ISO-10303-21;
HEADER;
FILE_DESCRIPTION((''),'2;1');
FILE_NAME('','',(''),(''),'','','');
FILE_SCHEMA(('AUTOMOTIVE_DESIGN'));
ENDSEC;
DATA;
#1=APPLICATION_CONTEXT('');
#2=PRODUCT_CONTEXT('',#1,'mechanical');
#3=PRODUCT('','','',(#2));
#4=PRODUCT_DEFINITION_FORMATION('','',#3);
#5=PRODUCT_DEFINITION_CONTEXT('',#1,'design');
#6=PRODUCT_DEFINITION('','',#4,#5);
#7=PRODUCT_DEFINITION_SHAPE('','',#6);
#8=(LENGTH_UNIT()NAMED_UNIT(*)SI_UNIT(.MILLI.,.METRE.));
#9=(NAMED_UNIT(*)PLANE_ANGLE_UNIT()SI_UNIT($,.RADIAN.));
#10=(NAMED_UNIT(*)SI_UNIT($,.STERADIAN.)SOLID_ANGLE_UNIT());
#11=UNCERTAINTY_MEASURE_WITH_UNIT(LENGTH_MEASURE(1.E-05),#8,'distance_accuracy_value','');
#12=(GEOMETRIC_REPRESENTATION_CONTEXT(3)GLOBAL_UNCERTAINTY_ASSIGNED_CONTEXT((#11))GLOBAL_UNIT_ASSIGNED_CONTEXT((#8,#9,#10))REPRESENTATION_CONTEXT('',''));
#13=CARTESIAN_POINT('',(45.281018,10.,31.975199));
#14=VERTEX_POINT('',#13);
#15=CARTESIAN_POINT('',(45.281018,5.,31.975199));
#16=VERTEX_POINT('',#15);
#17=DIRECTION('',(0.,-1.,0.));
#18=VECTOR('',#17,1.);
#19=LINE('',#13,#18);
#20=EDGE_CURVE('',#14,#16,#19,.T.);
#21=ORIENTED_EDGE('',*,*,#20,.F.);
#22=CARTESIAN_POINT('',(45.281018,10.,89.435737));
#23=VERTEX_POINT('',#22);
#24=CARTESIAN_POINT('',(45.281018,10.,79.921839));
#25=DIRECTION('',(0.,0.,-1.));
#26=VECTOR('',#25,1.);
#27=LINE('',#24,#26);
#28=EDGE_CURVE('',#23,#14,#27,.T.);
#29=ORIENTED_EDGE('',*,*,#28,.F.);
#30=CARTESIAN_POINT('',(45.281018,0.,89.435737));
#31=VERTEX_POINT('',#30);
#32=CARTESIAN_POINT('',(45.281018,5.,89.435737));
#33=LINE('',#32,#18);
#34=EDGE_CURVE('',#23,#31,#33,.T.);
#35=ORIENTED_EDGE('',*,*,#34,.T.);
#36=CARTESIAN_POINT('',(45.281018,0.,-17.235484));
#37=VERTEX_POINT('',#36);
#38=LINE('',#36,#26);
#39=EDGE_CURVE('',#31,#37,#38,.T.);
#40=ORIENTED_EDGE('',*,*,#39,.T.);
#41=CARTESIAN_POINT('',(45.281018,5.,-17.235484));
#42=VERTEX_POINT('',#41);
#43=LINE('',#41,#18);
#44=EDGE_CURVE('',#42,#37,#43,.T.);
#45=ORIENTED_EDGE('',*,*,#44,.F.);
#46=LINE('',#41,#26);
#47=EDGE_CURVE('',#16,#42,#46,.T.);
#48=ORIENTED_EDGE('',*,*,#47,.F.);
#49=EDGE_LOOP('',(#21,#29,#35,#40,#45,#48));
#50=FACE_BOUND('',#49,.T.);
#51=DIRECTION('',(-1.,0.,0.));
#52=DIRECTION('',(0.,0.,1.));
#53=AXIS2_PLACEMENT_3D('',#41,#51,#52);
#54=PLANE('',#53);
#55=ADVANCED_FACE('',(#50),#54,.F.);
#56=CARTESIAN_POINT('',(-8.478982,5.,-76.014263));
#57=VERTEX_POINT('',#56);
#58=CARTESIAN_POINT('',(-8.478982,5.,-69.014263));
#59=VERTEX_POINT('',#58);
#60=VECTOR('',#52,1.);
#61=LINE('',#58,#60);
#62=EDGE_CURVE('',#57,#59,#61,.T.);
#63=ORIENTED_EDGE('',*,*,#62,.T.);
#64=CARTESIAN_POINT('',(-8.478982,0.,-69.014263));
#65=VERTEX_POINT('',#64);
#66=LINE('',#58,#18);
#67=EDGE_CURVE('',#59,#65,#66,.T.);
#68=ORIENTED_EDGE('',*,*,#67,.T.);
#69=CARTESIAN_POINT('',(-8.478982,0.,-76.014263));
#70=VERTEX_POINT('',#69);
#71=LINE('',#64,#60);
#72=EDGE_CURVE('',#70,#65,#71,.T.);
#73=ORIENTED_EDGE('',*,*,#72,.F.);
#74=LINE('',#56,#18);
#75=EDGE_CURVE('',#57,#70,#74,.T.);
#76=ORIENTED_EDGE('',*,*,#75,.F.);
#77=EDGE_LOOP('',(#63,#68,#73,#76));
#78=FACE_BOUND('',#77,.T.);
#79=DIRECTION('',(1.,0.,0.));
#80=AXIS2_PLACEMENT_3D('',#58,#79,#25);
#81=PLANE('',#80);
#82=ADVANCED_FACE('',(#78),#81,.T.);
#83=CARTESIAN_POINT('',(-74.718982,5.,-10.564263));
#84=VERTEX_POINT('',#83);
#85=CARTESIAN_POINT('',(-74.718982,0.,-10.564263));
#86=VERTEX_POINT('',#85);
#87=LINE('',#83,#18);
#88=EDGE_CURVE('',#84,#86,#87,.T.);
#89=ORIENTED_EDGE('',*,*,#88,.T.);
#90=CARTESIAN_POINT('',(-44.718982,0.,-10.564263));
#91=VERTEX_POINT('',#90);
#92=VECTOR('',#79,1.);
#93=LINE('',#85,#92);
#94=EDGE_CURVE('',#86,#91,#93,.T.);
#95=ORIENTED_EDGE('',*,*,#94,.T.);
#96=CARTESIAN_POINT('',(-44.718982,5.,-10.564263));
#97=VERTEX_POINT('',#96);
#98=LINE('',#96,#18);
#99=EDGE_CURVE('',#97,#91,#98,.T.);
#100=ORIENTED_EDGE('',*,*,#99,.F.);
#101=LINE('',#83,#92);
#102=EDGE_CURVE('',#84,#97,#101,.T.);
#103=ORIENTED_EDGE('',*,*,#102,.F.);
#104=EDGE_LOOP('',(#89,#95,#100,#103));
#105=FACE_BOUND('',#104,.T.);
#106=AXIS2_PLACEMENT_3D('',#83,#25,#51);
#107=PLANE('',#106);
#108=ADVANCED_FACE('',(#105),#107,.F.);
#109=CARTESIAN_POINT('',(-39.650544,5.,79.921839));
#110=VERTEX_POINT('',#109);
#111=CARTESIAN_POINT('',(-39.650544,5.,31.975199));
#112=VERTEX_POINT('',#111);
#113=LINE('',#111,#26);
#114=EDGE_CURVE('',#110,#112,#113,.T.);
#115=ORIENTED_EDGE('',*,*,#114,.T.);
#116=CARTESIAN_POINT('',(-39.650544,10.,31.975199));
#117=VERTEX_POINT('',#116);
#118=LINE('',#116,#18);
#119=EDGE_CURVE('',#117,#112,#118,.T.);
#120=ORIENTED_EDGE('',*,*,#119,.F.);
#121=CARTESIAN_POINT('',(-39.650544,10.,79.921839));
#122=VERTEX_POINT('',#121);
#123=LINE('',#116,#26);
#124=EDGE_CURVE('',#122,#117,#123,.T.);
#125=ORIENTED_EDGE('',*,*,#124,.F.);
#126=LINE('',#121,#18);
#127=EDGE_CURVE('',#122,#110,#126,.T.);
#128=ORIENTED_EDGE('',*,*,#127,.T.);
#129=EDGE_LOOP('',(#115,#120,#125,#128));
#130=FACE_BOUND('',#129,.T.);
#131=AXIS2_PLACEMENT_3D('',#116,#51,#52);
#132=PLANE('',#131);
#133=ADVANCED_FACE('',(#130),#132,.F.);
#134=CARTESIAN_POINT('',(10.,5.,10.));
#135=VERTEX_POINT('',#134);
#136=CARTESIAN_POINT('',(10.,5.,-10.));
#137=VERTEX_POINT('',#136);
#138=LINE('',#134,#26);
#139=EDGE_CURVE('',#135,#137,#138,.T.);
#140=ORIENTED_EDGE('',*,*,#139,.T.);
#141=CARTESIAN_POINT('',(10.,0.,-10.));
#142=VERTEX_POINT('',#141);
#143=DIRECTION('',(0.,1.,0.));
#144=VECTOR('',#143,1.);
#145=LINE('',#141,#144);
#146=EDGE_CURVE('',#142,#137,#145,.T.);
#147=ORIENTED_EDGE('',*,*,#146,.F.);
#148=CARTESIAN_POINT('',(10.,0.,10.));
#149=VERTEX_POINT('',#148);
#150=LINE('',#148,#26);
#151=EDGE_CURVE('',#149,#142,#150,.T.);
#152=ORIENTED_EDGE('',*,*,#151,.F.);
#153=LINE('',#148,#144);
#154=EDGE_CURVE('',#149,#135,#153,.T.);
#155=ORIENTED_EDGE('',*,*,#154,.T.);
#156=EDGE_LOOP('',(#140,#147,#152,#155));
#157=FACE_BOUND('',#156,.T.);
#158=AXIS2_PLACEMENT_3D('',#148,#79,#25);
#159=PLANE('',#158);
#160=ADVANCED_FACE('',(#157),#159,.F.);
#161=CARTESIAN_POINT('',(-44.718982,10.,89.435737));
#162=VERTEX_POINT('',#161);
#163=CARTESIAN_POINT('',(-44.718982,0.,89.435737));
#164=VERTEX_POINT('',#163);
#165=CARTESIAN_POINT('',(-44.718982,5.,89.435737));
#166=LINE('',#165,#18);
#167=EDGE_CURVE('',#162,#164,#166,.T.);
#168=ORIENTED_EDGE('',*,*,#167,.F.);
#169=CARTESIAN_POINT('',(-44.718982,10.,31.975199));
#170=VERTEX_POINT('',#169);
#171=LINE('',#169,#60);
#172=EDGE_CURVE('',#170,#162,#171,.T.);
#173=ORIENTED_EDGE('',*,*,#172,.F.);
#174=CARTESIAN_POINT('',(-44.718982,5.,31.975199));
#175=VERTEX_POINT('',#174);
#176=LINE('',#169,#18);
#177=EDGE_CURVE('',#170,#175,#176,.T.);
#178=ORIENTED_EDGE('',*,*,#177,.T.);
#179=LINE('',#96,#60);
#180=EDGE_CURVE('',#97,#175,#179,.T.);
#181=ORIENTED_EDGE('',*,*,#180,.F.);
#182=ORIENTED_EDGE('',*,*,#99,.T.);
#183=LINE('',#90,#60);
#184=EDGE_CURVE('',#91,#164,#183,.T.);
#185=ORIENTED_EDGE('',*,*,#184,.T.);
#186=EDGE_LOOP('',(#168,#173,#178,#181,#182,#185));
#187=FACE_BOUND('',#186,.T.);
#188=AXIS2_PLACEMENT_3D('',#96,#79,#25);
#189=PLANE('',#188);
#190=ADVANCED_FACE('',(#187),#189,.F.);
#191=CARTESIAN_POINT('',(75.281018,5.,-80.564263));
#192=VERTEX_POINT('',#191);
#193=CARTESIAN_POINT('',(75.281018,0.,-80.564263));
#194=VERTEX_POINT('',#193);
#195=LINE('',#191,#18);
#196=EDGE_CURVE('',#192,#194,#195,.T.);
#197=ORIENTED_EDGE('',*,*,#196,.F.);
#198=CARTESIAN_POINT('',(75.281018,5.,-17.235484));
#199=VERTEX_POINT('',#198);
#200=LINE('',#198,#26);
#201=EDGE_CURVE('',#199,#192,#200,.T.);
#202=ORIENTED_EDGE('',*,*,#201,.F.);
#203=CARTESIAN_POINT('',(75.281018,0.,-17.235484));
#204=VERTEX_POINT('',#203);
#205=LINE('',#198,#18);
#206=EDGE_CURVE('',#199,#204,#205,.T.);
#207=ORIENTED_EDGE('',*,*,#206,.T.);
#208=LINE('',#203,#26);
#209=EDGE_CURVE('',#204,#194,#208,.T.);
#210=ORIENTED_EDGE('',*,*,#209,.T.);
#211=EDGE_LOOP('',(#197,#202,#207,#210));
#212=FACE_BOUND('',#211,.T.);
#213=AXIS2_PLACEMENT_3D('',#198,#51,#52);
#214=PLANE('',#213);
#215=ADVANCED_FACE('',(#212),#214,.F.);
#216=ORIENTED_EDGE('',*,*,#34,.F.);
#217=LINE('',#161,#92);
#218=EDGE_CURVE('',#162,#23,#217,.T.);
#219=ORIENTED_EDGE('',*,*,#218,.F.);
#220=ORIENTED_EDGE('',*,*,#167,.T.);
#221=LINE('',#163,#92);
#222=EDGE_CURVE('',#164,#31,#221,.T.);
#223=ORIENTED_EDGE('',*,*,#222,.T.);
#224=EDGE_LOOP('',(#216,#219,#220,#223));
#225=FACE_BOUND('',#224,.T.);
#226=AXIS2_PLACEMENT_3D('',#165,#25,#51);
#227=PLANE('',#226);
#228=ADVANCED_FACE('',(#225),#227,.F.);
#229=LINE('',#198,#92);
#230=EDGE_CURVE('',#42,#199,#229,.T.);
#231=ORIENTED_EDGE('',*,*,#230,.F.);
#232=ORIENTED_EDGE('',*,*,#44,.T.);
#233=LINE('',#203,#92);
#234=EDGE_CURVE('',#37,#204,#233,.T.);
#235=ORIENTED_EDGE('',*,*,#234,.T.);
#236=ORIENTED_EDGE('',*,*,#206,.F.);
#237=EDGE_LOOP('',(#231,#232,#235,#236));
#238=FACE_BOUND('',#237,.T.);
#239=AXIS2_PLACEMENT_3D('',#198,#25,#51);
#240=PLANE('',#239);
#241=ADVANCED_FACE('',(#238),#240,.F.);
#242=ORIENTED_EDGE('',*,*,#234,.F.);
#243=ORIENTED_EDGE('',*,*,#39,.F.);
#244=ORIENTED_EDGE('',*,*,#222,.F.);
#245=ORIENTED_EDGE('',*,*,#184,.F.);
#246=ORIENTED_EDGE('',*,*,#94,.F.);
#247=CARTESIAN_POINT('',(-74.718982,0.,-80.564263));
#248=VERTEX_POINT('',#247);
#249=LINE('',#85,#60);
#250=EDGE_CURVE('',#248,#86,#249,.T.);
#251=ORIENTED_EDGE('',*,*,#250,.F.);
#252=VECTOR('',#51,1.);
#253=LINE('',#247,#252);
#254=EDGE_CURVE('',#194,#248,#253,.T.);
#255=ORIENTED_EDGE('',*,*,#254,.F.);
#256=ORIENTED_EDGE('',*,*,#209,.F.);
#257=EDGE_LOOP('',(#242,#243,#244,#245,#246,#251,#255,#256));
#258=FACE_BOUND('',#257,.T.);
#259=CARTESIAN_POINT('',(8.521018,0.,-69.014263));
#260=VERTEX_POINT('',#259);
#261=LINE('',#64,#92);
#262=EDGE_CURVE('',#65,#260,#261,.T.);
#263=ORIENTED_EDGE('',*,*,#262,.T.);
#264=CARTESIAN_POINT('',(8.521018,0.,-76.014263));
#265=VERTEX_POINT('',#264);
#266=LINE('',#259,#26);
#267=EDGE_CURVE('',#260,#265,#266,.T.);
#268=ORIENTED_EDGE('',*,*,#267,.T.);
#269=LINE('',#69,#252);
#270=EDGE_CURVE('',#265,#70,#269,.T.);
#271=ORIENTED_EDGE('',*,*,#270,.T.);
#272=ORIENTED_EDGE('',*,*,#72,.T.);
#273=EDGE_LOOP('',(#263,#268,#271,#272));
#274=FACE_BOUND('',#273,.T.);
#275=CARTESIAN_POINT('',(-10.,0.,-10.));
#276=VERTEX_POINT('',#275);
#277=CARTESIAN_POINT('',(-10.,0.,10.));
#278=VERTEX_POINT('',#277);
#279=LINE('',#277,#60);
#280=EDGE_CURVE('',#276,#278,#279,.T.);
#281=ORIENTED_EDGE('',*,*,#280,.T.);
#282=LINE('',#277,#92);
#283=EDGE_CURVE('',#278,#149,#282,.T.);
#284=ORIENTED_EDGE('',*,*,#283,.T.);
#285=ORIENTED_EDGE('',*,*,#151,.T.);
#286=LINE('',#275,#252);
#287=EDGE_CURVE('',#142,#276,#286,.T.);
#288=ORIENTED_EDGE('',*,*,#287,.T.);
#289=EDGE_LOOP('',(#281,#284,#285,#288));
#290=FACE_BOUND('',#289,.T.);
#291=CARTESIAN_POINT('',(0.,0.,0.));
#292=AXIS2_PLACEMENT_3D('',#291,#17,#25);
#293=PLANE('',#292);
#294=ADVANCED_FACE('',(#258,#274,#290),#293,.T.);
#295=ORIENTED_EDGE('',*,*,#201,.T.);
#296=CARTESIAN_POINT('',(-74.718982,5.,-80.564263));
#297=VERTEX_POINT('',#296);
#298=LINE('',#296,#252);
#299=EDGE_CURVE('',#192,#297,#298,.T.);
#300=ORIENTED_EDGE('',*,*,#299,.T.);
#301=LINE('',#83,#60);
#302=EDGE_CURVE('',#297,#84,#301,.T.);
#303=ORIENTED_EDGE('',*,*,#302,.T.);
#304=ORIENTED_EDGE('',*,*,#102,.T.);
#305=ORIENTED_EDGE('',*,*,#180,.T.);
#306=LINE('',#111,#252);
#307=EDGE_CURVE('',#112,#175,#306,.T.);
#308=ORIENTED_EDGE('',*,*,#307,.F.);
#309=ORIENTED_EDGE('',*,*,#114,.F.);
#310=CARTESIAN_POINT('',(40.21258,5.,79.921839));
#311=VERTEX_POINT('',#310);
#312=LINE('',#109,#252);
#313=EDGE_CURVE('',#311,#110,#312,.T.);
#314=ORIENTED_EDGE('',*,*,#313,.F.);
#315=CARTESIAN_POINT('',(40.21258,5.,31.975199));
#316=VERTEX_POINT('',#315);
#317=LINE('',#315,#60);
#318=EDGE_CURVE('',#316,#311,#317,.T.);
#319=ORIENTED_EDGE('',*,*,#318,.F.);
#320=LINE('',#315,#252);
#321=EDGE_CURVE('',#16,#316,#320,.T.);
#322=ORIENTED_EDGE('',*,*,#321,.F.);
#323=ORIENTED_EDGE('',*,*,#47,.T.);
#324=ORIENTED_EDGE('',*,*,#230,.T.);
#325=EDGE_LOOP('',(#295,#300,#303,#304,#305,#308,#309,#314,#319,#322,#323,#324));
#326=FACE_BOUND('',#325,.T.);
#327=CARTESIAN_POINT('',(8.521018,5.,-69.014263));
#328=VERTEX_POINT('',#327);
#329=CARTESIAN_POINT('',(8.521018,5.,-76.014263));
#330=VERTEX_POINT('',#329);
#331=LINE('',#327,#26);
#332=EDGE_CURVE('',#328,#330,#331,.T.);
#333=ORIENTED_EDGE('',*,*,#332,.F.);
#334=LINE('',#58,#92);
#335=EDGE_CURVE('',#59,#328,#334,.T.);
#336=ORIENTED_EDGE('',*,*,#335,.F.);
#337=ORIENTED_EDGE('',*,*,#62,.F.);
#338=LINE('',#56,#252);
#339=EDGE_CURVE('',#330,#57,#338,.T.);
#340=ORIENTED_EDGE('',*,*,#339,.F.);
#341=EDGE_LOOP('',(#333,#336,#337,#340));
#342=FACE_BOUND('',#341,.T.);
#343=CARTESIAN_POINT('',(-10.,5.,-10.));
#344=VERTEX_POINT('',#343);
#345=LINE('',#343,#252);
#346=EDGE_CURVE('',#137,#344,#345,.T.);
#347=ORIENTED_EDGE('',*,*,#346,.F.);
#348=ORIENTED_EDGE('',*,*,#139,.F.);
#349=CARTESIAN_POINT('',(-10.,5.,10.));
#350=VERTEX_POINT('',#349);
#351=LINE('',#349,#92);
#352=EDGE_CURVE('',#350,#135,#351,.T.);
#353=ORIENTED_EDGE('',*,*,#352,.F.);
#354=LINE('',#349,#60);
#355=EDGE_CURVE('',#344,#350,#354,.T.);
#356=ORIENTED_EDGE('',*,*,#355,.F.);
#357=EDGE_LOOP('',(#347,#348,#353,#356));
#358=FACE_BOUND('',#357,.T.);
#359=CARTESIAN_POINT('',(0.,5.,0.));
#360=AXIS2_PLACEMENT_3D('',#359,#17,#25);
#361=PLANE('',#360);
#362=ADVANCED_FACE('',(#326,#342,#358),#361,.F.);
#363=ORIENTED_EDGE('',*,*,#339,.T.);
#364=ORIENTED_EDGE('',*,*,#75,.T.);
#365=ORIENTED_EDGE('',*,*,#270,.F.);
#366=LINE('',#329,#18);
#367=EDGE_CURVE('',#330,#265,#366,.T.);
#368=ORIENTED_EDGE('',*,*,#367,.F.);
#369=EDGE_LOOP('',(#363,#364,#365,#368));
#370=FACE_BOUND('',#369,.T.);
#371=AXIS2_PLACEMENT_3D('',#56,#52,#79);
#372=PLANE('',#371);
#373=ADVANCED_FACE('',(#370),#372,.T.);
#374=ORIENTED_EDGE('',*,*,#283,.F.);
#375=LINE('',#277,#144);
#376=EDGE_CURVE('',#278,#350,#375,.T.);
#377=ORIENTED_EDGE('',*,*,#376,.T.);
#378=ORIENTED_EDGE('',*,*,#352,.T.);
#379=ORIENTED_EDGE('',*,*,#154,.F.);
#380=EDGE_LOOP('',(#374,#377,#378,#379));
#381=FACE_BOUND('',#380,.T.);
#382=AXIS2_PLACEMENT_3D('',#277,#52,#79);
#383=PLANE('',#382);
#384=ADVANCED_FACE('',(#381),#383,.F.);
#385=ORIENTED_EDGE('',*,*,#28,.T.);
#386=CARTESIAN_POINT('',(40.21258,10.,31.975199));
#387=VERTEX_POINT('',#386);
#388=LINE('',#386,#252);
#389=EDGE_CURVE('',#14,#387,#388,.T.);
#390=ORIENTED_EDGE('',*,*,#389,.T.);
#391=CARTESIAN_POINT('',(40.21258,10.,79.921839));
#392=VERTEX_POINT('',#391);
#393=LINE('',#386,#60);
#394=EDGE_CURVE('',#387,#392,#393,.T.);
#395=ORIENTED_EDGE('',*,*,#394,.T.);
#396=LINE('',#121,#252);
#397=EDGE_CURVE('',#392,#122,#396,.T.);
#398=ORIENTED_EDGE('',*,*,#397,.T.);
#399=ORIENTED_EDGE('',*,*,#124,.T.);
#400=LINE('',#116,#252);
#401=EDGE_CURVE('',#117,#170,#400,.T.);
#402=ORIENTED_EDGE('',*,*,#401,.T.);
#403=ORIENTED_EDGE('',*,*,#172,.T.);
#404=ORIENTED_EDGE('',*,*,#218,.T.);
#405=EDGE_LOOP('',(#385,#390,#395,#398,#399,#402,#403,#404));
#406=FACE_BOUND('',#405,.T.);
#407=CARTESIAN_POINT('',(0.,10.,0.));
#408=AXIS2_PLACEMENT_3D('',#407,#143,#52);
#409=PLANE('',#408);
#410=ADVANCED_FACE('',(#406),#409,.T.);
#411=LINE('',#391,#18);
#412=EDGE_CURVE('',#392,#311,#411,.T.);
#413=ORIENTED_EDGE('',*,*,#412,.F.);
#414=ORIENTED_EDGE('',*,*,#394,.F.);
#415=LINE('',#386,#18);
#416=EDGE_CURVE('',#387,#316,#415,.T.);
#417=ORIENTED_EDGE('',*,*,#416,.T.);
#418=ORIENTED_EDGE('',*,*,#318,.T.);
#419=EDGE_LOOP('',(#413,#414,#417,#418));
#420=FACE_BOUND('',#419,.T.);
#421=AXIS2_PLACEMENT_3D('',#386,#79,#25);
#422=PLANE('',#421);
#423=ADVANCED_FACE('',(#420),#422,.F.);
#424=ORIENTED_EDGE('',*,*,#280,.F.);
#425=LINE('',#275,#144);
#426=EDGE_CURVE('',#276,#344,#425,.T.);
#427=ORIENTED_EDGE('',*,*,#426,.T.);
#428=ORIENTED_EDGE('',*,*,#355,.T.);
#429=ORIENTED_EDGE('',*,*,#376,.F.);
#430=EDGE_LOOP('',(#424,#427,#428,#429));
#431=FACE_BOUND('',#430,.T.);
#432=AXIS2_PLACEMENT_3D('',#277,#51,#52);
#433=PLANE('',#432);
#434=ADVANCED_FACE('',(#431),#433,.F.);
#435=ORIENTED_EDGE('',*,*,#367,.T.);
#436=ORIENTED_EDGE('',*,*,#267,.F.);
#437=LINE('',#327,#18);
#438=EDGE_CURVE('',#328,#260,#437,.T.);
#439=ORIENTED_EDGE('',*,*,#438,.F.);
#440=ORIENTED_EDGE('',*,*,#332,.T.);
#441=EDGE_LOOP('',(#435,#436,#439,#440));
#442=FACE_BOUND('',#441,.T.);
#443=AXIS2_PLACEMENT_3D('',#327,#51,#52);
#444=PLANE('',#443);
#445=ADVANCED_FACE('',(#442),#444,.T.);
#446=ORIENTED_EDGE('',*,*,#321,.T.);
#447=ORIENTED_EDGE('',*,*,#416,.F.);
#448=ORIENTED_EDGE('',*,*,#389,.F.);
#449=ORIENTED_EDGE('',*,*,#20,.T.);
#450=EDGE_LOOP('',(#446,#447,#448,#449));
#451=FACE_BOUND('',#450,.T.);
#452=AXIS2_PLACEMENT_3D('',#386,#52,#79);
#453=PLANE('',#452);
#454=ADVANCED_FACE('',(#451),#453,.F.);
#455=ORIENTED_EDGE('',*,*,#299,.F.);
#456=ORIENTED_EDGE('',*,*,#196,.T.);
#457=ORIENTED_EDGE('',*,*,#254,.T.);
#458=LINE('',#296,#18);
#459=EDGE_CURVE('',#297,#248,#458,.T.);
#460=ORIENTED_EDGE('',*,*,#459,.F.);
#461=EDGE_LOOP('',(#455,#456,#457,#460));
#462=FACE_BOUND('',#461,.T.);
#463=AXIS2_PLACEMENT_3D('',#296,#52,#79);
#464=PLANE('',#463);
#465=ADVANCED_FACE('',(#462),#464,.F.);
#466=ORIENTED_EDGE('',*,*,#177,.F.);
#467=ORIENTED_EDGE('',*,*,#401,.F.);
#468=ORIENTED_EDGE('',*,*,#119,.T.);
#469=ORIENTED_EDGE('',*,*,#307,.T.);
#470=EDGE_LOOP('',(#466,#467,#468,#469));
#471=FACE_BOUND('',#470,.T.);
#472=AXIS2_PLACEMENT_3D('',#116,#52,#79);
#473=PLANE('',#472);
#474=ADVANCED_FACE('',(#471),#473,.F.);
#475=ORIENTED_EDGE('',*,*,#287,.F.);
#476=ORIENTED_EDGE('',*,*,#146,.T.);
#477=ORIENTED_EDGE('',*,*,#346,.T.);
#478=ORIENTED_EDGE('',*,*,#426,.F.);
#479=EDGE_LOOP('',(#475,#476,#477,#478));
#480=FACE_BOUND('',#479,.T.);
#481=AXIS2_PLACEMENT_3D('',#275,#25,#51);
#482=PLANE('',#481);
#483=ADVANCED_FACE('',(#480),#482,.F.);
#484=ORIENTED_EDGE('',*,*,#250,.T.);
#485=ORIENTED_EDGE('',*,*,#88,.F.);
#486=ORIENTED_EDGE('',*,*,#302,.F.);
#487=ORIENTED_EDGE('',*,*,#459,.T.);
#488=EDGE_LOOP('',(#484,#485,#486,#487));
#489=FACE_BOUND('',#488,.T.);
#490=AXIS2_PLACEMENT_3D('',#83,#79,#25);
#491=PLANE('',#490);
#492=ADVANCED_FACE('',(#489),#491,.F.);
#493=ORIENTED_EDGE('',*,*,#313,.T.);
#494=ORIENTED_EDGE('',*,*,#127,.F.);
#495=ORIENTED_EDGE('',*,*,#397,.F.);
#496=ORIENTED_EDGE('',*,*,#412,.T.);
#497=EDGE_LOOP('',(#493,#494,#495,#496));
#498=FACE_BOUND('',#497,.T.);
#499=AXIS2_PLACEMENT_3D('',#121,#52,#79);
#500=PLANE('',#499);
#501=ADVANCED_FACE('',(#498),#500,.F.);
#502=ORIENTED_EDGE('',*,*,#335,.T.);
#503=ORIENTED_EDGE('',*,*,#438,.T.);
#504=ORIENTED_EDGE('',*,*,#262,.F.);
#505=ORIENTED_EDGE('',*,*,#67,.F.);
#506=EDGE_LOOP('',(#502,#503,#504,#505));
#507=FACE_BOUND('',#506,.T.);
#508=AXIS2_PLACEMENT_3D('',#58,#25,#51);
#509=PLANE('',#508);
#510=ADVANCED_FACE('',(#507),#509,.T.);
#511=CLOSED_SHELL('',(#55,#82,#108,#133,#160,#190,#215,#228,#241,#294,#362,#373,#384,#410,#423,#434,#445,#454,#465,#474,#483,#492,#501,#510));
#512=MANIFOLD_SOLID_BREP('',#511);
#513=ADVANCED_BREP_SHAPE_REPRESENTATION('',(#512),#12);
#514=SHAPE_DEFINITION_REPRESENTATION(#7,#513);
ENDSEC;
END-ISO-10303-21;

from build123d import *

# Parameters (mm, degrees)
SKETCH2_W           = 17
SKETCH2_H           = 7
BOSS_EXTRUDE1_DEPTH = 5
SKETCH3_W           = 20
SKETCH3_H           = 20
CUT_EXTRUDE1_DEPTH  = 5
BOSS_EXTRUDE2_DEPTH = 5


with BuildPart() as part:
    # Sketch2 → Boss-Extrude1 (new body)
    with BuildSketch(Plane(origin=(0, 0, 0), x_dir=(1, 0, 0), z_dir=(0, 1, 0))):
        Polygon((-44.718981883, -89.435737216), (45.281018117, -89.435737216), (45.281018117, 17.235484445), (75.281018117, 17.235484445), (75.281018117, 80.564262784), (-74.718981883, 80.564262784), (-74.718981883, 10.564262784), (-44.718981883, 10.564262784), align=None)
        with Locations((0.021018117, 72.514262784)):
            Rectangle(SKETCH2_W, SKETCH2_H, mode=Mode.SUBTRACT)
    extrude(amount=BOSS_EXTRUDE1_DEPTH)

    # Sketch3 → Cut-Extrude1 (cut)
    with BuildSketch(Plane(origin=(0, 5, 0), x_dir=(1, 0, 0), z_dir=(0, 1, 0))):
        Rectangle(SKETCH3_W, SKETCH3_H)
    extrude(amount=-CUT_EXTRUDE1_DEPTH, mode=Mode.SUBTRACT)

    # Sketch5 → Boss-Extrude2 (add)
    with BuildSketch(Plane(origin=(0, 5, 0), x_dir=(1, 0, 0), z_dir=(0, 1, 0))):
        Polygon((-39.650543722, -79.921839448), (40.212579957, -79.921839448), (40.212579957, -31.975199113), (45.281018117, -31.975199113), (45.281018117, -79.921839448), (45.281018117, -89.435737216), (-44.718981883, -89.435737216), (-44.718981883, -79.921839448), (-44.718981883, -31.975199113), (-39.650543722, -31.975199113), align=None)
    extrude(amount=BOSS_EXTRUDE2_DEPTH)


solid = part.part
